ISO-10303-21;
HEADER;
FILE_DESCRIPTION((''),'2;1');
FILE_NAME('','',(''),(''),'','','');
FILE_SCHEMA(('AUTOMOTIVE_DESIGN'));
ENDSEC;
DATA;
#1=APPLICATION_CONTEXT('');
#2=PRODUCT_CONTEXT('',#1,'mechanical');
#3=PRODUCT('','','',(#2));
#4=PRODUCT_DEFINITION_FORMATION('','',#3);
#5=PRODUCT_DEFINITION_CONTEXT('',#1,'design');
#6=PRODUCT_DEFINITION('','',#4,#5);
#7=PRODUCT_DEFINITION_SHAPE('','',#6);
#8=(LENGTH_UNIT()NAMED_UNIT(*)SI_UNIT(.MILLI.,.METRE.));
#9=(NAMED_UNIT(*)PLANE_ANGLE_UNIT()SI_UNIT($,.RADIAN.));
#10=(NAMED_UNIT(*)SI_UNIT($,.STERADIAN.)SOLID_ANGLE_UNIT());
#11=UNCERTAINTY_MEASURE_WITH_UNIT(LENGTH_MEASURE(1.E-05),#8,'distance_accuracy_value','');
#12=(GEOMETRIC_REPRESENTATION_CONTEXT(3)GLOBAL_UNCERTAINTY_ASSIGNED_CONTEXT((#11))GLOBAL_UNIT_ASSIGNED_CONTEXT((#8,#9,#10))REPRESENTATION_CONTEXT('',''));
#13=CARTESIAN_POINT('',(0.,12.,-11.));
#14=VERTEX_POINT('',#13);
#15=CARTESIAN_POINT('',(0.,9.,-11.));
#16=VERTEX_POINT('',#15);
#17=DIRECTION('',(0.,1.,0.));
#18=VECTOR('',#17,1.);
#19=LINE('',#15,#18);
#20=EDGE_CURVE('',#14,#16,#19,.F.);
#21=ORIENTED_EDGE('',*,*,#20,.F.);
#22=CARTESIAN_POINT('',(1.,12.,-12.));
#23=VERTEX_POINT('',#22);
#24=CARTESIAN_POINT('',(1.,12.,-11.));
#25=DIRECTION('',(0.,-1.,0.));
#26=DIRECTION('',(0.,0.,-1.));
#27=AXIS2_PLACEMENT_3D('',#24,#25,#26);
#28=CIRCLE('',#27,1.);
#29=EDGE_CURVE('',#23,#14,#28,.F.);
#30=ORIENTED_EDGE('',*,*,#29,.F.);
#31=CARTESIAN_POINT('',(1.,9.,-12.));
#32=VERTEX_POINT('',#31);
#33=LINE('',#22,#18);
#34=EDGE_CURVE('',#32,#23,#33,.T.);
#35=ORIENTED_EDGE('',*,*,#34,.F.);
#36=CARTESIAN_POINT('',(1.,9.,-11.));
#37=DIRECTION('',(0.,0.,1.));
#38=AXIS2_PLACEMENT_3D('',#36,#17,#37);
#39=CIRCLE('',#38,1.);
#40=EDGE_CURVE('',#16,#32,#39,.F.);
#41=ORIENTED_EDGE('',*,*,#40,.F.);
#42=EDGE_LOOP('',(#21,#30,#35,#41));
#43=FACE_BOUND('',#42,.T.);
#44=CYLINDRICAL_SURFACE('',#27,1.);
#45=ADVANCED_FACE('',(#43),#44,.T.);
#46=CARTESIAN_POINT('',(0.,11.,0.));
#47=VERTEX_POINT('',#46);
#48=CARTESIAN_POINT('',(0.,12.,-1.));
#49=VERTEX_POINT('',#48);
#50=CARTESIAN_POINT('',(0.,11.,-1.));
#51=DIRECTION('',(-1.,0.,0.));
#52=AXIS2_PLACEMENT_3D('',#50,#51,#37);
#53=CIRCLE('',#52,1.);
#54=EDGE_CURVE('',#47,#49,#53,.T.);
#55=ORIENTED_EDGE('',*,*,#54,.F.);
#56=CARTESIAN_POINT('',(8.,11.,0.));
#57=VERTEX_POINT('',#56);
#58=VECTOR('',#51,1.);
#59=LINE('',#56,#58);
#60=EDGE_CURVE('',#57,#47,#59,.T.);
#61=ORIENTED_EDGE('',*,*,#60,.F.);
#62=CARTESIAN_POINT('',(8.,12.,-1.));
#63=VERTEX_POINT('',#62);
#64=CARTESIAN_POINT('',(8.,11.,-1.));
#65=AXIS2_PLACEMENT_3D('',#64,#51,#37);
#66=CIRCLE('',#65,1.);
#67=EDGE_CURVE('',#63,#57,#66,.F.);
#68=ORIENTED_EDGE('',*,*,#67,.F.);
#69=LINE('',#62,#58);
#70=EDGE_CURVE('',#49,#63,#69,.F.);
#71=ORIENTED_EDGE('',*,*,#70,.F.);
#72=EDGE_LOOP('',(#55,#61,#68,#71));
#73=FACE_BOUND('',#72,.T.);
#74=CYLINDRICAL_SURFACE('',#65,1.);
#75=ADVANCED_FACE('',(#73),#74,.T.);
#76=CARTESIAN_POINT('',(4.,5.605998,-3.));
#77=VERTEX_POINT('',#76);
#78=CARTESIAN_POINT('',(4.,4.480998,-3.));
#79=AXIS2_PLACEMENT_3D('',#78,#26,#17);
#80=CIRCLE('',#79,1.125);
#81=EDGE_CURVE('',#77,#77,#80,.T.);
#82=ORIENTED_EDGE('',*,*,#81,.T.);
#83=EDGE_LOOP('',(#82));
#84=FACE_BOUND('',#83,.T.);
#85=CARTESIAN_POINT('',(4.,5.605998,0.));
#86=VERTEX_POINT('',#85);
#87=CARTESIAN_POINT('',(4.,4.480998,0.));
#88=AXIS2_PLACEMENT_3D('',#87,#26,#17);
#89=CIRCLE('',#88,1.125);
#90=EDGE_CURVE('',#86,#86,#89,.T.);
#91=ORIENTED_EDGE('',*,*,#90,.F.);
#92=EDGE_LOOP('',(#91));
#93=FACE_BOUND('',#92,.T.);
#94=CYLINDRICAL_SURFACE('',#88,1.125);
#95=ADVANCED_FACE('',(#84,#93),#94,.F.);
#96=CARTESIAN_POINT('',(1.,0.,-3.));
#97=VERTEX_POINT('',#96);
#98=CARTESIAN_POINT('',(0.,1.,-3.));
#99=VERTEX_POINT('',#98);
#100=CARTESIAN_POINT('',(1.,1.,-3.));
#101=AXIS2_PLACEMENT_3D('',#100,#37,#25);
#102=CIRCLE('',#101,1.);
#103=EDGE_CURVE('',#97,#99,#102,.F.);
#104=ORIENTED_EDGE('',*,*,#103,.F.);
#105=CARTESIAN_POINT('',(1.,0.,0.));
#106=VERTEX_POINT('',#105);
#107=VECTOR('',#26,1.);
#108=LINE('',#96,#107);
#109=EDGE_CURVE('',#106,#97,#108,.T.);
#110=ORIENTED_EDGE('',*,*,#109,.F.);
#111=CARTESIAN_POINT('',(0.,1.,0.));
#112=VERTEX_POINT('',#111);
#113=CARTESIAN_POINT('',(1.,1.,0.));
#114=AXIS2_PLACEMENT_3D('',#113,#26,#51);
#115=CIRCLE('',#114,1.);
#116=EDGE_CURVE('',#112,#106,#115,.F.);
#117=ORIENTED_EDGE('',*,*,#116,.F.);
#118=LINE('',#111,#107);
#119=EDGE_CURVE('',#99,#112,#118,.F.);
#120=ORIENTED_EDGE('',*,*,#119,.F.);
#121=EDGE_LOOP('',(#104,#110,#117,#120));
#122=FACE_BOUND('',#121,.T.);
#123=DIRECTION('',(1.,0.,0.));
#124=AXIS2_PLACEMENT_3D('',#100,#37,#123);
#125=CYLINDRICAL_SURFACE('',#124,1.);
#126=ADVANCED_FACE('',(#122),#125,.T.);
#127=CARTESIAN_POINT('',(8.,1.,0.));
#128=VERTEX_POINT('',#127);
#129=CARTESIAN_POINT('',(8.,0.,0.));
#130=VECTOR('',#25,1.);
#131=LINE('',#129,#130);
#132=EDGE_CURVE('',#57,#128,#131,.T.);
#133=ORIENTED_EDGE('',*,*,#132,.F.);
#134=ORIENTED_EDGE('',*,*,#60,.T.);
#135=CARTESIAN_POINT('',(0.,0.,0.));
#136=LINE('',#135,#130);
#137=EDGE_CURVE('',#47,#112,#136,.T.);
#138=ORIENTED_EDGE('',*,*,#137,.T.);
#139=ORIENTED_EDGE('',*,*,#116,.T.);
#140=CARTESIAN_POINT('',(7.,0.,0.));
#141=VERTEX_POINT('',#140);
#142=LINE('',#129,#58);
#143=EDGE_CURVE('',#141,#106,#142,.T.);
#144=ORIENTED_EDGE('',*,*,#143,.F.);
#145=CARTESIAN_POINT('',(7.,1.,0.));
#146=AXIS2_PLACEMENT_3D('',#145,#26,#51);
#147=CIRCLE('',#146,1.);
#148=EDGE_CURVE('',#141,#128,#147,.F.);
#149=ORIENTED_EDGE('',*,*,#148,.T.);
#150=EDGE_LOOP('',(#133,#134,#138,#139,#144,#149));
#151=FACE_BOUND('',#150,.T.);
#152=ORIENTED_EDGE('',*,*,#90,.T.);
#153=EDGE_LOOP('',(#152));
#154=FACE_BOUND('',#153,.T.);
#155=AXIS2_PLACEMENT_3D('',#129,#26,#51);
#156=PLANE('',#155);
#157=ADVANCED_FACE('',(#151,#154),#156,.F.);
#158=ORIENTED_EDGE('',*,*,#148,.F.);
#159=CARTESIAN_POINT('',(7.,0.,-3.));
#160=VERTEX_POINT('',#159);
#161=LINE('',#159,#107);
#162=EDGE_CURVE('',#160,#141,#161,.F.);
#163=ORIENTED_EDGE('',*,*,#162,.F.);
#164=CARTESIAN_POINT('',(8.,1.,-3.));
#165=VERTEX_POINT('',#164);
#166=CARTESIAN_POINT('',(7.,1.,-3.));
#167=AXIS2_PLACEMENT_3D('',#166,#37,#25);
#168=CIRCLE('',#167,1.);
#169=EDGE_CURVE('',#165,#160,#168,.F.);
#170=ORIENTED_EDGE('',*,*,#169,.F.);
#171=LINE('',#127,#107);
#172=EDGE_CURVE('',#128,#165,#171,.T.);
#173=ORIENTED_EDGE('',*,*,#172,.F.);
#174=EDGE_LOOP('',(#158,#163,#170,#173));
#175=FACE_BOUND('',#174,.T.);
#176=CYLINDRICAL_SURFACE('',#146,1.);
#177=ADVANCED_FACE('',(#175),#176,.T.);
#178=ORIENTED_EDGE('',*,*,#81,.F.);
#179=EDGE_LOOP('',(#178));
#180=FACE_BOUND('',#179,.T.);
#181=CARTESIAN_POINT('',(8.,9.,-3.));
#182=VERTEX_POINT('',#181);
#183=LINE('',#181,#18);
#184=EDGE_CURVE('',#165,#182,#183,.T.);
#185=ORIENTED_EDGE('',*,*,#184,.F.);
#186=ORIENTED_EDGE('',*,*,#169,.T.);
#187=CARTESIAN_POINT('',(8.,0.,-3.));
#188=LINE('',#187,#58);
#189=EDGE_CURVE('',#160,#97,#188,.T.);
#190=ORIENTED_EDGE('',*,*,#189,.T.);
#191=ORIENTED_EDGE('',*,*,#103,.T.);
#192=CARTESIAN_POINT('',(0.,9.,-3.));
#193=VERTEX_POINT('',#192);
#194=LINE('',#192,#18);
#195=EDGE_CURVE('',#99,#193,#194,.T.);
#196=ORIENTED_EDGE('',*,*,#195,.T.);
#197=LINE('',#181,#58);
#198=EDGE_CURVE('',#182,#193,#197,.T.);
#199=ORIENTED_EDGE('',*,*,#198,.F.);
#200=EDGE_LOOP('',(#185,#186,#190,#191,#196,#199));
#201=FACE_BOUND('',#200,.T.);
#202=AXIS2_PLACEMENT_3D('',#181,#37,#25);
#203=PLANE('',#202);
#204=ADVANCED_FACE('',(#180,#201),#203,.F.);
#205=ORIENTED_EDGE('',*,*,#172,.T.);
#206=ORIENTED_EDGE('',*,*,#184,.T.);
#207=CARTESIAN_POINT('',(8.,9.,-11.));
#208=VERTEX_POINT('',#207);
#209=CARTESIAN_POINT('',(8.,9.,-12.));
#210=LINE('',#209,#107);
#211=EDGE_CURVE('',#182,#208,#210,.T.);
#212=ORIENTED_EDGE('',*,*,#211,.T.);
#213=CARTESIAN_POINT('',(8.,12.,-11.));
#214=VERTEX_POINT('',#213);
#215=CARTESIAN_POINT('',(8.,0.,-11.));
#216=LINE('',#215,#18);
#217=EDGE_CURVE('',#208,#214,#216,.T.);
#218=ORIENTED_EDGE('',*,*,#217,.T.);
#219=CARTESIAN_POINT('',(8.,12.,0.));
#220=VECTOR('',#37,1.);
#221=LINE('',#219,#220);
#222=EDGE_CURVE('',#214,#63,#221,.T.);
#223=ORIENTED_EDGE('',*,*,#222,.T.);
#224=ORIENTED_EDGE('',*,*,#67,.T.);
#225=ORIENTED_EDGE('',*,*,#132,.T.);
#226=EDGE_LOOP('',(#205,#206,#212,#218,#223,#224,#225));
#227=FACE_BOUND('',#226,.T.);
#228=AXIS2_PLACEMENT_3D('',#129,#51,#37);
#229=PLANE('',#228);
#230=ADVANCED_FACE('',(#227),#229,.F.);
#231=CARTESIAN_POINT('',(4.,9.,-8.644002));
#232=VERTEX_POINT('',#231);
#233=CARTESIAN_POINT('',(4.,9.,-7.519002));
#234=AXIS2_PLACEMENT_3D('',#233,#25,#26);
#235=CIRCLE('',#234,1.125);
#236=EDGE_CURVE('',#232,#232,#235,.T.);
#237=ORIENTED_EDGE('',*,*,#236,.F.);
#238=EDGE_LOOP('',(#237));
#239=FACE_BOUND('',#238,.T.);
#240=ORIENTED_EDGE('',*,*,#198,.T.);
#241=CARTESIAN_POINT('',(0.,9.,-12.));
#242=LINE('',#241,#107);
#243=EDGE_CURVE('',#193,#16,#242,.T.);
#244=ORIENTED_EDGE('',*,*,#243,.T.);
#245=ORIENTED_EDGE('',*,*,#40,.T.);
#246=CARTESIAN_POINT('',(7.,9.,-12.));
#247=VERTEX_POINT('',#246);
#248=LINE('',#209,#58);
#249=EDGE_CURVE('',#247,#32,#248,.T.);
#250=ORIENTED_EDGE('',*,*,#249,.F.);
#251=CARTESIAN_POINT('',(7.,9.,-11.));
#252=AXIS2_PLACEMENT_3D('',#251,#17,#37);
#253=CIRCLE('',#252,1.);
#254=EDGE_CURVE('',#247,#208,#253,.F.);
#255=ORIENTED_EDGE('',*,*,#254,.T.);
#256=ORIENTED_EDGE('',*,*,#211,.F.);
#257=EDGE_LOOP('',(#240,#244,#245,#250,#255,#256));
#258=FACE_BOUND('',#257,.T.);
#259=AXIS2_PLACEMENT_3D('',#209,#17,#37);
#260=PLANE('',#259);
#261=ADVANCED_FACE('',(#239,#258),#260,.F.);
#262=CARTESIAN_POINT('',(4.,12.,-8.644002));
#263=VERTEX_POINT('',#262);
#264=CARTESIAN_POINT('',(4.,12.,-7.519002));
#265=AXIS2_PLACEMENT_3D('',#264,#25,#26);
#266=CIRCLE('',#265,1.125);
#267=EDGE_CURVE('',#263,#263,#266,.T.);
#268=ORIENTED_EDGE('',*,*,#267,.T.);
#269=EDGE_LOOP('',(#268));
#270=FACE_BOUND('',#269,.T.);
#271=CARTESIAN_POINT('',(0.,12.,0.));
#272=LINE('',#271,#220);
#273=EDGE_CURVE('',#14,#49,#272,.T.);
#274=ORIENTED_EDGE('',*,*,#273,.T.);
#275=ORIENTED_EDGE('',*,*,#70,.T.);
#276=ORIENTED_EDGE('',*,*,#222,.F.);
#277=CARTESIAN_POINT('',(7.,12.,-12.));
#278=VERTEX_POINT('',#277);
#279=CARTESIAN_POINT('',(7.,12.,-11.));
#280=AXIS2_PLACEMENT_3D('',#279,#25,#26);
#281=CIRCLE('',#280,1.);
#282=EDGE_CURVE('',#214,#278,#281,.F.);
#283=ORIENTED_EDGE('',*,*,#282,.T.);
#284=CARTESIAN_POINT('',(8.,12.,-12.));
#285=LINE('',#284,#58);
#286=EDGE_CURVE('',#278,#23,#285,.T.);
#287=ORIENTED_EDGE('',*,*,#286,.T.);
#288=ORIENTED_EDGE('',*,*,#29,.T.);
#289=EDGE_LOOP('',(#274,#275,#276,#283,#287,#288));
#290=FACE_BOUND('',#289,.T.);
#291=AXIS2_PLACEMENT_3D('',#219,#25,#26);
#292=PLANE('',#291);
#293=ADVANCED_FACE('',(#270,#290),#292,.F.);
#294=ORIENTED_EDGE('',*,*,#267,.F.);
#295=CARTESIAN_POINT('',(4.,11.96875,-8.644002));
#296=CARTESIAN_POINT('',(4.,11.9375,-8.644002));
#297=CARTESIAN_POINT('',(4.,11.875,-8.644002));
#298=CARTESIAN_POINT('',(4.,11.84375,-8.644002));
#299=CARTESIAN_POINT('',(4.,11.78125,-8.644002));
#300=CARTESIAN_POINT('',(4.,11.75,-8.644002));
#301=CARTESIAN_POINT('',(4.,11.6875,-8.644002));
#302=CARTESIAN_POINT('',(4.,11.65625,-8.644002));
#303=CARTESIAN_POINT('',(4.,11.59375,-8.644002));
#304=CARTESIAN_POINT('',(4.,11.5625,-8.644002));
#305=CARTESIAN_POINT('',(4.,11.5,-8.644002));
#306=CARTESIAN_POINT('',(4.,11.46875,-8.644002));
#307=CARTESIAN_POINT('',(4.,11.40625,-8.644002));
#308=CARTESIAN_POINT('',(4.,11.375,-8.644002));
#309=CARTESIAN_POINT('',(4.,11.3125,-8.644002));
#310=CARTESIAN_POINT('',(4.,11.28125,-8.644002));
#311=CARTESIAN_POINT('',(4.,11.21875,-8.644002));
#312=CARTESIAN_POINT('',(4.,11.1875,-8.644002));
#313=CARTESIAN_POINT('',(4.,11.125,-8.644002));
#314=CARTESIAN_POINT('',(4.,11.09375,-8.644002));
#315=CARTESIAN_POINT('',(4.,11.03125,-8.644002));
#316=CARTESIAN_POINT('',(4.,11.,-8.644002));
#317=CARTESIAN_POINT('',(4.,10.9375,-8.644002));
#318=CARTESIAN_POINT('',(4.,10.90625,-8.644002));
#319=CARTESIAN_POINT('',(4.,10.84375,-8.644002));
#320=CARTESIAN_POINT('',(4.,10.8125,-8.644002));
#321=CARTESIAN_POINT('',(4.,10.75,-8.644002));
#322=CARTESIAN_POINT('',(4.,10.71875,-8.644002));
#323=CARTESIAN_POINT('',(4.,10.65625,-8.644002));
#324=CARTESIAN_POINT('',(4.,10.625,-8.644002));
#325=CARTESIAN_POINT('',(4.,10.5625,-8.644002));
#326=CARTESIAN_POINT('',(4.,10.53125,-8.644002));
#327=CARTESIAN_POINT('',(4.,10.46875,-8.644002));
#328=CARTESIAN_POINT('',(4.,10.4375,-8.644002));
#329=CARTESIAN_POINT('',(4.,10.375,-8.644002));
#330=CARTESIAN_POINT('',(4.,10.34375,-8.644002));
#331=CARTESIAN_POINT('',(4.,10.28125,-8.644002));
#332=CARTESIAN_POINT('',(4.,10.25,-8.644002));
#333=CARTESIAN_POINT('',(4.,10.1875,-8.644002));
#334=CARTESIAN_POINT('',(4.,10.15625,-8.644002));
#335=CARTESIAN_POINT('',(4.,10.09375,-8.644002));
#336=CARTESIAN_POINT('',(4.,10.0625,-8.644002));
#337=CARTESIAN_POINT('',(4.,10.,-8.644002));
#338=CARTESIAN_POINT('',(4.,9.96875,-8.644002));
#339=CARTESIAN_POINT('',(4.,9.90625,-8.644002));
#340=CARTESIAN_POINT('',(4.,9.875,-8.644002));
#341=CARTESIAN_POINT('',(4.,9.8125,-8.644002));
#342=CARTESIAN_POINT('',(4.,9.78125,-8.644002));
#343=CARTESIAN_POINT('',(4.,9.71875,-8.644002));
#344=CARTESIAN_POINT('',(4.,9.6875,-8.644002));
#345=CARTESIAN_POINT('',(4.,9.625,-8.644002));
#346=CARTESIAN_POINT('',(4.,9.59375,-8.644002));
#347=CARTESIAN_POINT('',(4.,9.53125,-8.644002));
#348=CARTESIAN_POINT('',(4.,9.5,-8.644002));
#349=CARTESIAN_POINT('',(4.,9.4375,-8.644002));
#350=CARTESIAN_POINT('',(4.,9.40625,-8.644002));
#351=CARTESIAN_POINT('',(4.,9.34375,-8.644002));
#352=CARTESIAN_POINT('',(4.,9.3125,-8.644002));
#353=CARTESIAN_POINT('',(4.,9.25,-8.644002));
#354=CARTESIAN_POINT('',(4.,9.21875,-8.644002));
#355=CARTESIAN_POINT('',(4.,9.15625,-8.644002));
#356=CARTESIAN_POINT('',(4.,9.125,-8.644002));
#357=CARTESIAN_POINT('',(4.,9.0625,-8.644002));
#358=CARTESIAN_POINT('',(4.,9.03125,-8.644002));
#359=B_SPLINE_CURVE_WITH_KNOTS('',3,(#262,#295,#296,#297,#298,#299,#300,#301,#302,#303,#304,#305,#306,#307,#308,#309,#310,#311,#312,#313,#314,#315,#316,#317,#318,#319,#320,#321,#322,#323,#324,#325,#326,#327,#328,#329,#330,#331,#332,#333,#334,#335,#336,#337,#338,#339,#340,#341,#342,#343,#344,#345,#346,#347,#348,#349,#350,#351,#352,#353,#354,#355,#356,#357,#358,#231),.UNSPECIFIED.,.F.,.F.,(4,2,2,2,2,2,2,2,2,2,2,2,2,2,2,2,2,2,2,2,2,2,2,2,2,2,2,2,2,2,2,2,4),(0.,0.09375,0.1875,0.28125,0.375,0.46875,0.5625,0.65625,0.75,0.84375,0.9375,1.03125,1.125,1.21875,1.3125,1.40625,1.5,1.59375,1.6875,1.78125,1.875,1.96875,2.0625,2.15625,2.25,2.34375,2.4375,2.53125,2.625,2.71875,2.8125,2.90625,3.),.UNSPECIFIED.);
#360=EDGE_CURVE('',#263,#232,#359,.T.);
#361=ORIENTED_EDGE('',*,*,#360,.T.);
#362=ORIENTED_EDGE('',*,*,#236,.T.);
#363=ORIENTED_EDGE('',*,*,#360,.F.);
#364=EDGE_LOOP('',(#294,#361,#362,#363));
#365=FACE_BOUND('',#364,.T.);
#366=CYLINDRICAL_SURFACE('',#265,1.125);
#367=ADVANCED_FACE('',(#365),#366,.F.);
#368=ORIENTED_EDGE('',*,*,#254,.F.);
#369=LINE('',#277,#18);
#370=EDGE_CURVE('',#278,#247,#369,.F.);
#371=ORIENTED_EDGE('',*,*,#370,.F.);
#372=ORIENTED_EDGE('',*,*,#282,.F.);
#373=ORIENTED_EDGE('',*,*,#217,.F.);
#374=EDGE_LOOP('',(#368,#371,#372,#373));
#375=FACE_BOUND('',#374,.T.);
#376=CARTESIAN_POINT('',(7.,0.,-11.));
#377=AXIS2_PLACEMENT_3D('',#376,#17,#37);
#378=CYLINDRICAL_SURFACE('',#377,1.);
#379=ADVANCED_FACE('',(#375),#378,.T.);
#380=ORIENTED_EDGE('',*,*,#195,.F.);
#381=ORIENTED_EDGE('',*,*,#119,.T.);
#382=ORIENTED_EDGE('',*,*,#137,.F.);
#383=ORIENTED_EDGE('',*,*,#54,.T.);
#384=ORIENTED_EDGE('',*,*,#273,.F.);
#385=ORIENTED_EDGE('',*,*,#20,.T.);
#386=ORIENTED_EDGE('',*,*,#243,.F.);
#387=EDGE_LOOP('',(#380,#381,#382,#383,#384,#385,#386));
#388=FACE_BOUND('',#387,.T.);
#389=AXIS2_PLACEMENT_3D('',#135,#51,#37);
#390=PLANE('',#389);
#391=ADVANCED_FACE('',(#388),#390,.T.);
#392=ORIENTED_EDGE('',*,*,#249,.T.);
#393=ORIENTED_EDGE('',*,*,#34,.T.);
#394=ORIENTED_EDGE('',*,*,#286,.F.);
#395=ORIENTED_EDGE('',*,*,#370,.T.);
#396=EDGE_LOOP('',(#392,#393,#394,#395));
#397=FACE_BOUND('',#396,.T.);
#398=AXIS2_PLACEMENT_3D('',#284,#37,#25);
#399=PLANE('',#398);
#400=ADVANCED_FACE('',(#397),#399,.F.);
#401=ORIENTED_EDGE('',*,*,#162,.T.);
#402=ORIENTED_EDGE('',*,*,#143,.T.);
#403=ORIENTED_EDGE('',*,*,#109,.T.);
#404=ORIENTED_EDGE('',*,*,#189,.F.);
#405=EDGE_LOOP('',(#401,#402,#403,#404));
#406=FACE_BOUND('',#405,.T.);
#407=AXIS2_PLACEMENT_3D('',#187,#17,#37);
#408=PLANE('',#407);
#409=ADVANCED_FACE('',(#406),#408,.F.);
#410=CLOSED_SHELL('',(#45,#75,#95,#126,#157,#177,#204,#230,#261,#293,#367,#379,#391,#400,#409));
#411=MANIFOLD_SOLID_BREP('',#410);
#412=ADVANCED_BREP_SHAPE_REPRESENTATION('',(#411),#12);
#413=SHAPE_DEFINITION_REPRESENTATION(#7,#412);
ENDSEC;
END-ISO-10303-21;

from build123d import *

# Parameters (mm, degrees)
SALIENTE_EXTRUIR1_DEPTH = 8
REDONDEO1_R             = 1
CROQUIS2_R              = 1.125
CORTAR_EXTRUIR1_DEPTH   = 18
CROQUIS3_R              = 1.125
CORTAR_EXTRUIR2_DEPTH   = 18
REDONDEO2_R             = 1


with BuildPart() as part:
    # Croquis1 → Saliente-Extruir1 (new body)
    with BuildSketch(Plane(origin=(0, 0, 0), x_dir=(0, 0, -1), z_dir=(1, 0, 0))):
        Polygon((0, 0), (0, 12), (12, 12), (12, 9), (3, 9), (3, 0), align=None)
    extrude(amount=SALIENTE_EXTRUIR1_DEPTH)

    # Redondeo1
    redondeo1_edges = [part.edges().sort_by_distance(p)[0] for p in [
        (8, 10.5, -12),
        (8, 0, -1.5),
        (0, 10.5, -12),
        (0, 0, -1.5),
    ]]
    fillet(redondeo1_edges, radius=REDONDEO1_R)

    # Croquis2 → Cortar-Extruir1 (cut, through all)
    with BuildSketch(Plane.XZ.offset(-9)):
        with Locations(Location((4, -7.519001503, 0), (0, 0, 270))):
            Circle(CROQUIS2_R)
    extrude(amount=-CORTAR_EXTRUIR1_DEPTH, mode=Mode.SUBTRACT)

    # Croquis3 → Cortar-Extruir2 (cut, through all)
    with BuildSketch(Plane(origin=(0, 0, -3), x_dir=(-1, 0, 0), z_dir=(0, 0, -1))):
        with Locations(Location((-4, 4.480998497, 0), (0, 0, 90))):
            Circle(CROQUIS3_R)
    extrude(amount=-CORTAR_EXTRUIR2_DEPTH, mode=Mode.SUBTRACT)

    # Redondeo2
    redondeo2_edges = [part.edges().sort_by_distance(p)[0] for p in [
        (4, 12, 0),
    ]]
    fillet(redondeo2_edges, radius=REDONDEO2_R)


solid = part.part
